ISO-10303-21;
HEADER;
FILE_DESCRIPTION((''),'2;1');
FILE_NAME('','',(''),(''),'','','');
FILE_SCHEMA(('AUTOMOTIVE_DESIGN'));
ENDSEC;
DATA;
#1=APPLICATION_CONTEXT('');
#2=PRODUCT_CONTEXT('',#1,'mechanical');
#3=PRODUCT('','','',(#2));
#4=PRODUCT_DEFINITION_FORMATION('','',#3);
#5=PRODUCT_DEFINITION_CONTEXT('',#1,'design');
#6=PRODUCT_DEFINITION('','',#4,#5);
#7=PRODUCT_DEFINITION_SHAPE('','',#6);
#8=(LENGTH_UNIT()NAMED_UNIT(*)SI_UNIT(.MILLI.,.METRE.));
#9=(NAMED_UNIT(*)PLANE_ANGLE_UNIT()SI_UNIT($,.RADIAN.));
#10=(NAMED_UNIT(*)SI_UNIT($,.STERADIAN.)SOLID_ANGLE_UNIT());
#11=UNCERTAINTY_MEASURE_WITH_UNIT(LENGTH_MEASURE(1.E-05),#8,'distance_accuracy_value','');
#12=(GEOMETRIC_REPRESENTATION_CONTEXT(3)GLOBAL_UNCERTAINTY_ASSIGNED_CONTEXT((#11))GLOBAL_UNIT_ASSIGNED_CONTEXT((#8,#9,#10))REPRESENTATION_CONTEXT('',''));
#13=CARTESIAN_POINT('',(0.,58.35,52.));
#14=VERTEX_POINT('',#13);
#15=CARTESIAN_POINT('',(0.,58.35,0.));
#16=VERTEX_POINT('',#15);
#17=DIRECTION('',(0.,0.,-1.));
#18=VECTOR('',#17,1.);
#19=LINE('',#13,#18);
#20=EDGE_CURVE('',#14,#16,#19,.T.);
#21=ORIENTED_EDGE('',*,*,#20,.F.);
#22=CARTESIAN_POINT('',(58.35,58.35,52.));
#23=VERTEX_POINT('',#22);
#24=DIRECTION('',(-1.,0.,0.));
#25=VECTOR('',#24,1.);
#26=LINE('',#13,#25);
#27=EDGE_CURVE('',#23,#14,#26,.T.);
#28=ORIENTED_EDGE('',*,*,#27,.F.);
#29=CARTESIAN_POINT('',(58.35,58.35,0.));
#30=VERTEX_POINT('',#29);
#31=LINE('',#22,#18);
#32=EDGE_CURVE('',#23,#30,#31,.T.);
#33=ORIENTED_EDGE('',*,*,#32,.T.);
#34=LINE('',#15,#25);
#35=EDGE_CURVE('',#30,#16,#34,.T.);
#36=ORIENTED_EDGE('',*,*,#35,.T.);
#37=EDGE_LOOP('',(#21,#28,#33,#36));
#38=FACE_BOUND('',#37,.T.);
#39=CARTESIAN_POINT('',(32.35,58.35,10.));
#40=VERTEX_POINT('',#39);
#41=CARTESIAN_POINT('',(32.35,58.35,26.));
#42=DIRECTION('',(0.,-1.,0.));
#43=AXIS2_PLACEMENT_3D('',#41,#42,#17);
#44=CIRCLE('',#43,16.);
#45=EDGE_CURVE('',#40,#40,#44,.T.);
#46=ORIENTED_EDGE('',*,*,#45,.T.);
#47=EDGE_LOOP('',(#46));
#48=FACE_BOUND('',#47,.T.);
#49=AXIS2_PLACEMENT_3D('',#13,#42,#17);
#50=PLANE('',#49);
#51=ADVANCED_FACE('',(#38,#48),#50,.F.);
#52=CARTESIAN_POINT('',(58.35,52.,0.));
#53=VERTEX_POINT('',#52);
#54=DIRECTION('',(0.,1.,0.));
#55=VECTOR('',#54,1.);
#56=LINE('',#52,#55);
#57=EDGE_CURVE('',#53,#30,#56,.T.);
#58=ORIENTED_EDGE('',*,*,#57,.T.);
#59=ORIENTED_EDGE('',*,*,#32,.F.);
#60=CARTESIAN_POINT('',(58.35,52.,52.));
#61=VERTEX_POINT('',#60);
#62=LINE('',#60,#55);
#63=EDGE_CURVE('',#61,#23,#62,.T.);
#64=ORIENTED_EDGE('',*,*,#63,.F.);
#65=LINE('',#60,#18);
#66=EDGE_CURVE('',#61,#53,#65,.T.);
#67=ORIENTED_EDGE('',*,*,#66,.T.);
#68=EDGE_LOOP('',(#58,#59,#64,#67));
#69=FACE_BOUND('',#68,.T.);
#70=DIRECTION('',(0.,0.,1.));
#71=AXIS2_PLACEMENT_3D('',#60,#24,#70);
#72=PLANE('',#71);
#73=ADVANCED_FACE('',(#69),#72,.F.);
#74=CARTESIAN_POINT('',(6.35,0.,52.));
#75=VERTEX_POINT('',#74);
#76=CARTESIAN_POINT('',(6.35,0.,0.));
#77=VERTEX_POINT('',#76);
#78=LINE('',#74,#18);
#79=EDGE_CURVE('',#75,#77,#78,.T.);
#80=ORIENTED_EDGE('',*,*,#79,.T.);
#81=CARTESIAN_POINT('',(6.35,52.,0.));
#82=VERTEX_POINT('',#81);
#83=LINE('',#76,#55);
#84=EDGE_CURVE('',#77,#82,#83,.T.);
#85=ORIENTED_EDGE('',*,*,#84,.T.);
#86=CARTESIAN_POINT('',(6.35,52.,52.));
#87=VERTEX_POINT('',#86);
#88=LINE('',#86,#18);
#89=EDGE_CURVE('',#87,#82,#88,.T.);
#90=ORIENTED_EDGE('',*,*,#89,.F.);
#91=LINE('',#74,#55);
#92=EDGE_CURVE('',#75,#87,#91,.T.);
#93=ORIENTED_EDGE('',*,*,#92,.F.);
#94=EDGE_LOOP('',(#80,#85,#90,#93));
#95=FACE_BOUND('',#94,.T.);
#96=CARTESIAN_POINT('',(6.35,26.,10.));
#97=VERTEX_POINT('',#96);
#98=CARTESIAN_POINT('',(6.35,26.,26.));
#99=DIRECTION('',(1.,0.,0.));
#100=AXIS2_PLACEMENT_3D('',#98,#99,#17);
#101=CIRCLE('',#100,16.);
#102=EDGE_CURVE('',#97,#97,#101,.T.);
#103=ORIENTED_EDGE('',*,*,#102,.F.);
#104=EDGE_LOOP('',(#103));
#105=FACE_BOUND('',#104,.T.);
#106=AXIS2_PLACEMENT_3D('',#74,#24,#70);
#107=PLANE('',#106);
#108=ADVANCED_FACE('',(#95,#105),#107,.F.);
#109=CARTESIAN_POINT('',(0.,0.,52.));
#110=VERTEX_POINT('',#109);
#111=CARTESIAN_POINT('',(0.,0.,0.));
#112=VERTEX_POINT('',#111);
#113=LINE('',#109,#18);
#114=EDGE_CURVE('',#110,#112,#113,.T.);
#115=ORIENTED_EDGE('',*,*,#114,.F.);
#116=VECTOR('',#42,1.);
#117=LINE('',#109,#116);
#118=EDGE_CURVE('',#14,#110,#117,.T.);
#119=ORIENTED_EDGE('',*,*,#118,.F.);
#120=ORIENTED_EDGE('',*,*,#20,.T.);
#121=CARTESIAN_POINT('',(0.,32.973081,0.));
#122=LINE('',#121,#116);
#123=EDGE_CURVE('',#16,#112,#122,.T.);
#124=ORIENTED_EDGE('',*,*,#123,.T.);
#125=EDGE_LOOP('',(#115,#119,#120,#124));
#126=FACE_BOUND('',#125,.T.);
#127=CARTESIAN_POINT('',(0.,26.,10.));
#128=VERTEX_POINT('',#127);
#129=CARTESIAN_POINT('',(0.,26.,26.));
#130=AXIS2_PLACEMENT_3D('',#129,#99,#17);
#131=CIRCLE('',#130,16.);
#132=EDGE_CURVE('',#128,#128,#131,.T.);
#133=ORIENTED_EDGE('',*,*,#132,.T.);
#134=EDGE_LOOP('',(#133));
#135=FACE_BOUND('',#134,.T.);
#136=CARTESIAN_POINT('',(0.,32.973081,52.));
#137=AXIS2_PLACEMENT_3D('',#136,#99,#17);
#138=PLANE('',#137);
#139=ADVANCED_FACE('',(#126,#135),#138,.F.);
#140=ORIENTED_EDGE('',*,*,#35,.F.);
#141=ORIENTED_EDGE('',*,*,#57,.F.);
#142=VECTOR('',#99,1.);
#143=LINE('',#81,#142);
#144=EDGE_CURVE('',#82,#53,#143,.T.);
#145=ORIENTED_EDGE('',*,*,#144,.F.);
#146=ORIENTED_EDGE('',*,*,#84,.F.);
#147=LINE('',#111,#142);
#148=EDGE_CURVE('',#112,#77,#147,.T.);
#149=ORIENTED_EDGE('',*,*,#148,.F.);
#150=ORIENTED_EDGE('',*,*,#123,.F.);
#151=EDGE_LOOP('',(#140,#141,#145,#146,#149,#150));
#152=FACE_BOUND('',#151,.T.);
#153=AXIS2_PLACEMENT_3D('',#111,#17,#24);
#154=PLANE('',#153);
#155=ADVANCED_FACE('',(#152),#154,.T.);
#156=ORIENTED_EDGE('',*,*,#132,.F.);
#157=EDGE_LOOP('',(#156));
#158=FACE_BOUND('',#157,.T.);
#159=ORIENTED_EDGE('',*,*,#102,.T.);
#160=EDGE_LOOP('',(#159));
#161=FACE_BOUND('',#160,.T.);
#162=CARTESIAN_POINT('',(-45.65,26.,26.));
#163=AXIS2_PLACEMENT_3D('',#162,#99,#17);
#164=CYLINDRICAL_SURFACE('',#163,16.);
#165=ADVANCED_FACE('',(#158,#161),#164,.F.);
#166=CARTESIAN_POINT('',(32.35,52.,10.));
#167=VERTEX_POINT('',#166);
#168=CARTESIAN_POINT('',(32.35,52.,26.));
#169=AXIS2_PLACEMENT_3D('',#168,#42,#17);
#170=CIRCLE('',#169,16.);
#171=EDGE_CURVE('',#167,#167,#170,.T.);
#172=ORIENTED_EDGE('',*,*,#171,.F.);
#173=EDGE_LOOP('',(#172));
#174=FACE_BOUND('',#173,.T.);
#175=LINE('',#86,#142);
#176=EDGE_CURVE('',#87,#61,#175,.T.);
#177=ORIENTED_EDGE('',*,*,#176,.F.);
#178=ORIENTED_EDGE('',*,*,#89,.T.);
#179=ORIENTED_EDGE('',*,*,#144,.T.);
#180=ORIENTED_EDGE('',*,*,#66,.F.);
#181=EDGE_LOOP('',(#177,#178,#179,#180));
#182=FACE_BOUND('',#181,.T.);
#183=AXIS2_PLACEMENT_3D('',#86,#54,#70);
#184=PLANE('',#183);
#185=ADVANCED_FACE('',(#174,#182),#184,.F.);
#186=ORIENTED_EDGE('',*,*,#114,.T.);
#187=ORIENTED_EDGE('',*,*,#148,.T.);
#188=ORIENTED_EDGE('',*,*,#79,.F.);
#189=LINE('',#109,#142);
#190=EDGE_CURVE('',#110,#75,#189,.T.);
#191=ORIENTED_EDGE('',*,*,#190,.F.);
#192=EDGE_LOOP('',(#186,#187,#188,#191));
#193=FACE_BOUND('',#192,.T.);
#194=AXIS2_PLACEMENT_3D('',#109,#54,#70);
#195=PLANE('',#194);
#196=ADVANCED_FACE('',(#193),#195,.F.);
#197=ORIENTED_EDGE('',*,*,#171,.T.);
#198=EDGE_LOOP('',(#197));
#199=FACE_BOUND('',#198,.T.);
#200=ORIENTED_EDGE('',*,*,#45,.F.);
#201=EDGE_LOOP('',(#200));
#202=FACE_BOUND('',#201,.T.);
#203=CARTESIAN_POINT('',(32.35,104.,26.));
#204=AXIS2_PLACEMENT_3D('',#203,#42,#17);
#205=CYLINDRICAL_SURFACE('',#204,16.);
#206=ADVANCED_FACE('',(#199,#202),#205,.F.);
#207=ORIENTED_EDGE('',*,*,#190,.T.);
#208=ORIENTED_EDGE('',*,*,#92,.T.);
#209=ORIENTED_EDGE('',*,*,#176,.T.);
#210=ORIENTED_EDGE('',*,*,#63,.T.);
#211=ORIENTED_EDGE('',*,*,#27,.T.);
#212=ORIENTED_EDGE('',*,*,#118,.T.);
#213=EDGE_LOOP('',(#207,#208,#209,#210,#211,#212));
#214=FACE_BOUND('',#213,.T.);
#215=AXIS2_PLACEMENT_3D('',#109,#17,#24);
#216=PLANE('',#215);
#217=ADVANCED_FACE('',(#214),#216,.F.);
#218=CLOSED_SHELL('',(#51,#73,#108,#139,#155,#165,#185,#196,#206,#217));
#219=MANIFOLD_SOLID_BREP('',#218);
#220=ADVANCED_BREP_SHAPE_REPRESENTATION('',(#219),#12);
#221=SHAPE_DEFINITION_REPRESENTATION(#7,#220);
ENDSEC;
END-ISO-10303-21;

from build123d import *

# Parameters (mm, degrees)
BOSS_EXTRUDE1_DEPTH = 52
SKETCH2_R           = 16
CUT_EXTRUDE1_DEPTH  = 52
SKETCH3_R           = 16
CUT_EXTRUDE2_DEPTH  = 52


with BuildPart() as part:
    # Sketch1 → Boss-Extrude1 (new body)
    with BuildSketch(Plane.XY):
        Polygon((0, 0), (6.35, 0), (6.35, 52), (58.35, 52), (58.35, 58.35), (0, 58.35), (0, 32.973080538), align=None)
    extrude(amount=BOSS_EXTRUDE1_DEPTH)

    # Sketch2 → Cut-Extrude1 (cut)
    with BuildSketch(Plane(origin=(0, 52, 0), x_dir=(-1, 0, 0), z_dir=(0, -1, 0))):
        with Locations((-32.35, -26)):
            Circle(SKETCH2_R)
    extrude(amount=-CUT_EXTRUDE1_DEPTH, mode=Mode.SUBTRACT)

    # Sketch3 → Cut-Extrude2 (cut)
    with BuildSketch(Plane(origin=(6.35, 0, 0), x_dir=(0, 0, -1), z_dir=(1, 0, 0))):
        with Locations((-26, 26)):
            Circle(SKETCH3_R)
    extrude(amount=-CUT_EXTRUDE2_DEPTH, mode=Mode.SUBTRACT)


solid = part.part
